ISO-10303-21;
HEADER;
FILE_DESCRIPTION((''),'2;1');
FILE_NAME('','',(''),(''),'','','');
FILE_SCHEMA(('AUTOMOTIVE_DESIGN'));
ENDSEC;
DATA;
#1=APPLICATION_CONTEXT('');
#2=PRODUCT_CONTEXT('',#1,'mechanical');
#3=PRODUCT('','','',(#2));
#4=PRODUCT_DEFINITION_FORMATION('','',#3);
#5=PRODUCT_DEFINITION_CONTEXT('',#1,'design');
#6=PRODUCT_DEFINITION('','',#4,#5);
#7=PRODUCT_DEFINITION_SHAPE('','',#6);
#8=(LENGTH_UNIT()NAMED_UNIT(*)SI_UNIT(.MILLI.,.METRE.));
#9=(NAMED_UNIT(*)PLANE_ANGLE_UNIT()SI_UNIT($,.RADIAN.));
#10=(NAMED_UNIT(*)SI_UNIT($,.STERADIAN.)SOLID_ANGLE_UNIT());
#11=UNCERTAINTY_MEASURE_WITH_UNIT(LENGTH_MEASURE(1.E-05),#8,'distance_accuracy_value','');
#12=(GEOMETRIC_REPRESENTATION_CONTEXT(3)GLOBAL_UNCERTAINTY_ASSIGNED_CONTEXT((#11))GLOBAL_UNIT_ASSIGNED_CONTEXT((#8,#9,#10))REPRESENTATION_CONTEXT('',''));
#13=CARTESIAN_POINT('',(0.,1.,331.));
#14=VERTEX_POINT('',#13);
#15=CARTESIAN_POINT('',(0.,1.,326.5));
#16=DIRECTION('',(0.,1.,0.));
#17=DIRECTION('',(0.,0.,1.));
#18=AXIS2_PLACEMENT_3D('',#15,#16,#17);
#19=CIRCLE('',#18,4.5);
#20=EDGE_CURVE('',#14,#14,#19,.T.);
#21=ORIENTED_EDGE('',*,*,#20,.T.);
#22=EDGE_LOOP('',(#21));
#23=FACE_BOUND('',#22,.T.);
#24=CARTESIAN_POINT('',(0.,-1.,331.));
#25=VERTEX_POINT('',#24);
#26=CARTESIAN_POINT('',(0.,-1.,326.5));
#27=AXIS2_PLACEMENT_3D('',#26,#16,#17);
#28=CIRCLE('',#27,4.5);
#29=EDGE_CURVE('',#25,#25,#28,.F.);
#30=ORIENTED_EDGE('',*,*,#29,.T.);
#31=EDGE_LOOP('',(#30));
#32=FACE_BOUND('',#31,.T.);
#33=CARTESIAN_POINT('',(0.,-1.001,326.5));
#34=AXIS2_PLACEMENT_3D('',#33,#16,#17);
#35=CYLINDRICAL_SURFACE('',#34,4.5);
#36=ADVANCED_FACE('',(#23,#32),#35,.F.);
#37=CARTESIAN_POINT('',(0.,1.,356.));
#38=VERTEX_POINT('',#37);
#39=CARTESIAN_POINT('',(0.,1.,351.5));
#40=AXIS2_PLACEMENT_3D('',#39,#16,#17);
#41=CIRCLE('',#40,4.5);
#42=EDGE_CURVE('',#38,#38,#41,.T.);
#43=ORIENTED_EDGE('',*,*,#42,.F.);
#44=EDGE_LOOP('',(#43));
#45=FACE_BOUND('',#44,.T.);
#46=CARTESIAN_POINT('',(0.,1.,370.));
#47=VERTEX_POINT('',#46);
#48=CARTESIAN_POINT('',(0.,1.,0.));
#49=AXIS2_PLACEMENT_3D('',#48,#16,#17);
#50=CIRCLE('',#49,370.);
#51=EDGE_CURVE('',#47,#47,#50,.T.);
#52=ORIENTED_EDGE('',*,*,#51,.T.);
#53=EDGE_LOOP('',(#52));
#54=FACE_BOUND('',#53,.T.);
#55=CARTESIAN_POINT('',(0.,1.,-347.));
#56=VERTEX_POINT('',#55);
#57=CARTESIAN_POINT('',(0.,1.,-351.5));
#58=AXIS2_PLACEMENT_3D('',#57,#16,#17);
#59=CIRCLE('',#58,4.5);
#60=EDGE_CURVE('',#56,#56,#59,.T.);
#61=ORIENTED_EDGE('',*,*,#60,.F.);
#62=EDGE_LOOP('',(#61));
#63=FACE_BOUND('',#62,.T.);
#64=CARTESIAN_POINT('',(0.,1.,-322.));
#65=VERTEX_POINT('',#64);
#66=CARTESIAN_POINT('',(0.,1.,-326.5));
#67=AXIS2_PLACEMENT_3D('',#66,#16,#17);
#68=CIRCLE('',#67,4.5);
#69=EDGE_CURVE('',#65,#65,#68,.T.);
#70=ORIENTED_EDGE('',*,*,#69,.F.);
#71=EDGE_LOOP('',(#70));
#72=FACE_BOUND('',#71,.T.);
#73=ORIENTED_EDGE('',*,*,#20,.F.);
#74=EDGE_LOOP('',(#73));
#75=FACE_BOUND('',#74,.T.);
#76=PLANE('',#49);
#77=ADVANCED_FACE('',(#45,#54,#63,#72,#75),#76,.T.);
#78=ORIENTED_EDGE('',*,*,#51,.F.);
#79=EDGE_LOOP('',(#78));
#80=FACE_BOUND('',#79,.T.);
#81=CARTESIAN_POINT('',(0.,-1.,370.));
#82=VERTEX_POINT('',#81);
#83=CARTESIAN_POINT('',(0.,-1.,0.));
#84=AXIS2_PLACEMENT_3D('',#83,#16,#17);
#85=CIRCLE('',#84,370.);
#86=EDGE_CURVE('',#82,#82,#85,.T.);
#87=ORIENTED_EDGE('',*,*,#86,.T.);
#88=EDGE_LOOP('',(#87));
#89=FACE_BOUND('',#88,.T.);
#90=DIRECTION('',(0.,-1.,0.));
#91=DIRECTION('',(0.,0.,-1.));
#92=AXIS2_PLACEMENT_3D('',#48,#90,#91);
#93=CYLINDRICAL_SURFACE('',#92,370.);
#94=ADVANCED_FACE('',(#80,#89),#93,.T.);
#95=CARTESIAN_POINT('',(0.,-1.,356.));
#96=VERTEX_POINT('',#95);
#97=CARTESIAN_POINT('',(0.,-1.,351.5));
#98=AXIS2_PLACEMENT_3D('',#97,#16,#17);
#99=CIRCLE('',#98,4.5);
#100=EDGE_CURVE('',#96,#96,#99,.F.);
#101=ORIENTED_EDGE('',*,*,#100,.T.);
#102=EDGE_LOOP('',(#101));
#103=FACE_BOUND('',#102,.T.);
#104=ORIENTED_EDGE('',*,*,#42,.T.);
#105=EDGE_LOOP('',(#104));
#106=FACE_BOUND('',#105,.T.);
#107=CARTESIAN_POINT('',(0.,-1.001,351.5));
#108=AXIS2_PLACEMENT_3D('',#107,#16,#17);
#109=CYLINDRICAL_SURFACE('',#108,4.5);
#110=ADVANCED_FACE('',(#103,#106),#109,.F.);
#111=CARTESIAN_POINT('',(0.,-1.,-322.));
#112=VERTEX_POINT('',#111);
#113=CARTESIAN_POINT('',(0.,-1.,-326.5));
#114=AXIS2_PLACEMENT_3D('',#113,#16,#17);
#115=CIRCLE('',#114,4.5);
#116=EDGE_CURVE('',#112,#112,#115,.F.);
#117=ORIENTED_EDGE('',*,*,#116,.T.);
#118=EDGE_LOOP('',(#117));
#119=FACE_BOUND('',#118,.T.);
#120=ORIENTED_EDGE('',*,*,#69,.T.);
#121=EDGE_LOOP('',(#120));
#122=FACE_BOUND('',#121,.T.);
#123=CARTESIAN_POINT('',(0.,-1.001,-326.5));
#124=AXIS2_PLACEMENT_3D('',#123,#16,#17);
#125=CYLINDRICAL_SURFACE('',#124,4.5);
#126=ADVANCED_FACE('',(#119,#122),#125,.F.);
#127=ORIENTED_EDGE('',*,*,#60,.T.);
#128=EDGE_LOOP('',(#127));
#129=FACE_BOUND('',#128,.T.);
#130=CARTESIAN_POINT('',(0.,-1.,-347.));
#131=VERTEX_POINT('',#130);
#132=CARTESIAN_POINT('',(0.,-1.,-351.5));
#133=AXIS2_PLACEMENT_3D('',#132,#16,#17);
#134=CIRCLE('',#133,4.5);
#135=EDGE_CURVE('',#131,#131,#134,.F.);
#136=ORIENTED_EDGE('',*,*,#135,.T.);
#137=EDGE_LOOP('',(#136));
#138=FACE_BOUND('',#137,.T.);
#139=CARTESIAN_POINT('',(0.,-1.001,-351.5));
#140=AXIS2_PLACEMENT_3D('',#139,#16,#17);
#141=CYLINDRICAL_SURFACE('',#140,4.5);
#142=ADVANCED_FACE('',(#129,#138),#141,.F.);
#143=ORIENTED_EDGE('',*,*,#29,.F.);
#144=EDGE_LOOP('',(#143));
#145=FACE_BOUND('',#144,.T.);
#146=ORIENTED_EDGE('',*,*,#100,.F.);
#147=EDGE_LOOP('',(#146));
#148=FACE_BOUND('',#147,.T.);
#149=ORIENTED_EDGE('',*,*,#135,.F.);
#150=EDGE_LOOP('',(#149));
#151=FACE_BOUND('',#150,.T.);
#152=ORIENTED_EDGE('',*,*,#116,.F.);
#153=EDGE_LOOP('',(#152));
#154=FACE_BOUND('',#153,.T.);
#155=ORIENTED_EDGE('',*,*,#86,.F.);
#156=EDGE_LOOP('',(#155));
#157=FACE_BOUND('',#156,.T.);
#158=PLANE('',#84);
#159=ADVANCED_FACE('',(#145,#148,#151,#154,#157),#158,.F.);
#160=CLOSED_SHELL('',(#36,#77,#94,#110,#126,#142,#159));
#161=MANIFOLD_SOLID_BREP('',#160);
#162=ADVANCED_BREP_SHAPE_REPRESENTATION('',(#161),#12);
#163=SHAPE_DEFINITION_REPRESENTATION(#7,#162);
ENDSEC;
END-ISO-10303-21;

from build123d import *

# Parameters (mm, degrees)
SKETCH1_R           = 370
BOSS_EXTRUDE1_DEPTH = 1
CUT_EXTRUDE1_REACH  = 525.263
SKETCH2_R           = 4.5


with BuildPart() as part:
    # Sketch1 → Boss-Extrude1 (new, symmetric)
    with BuildSketch(Plane(origin=(0, 0, 0), x_dir=(1, 0, 0), z_dir=(0, 1, 0))):
        with Locations(Location((0, 0, 0), (0, 0, 270))):
            Circle(SKETCH1_R)
    extrude(amount=BOSS_EXTRUDE1_DEPTH, both=True)

    # Sketch2 → Cut-Extrude1 (cut, up to next)
    with BuildSketch(Plane(origin=(0, 1, 0), x_dir=(1, 0, 0), z_dir=(0, 1, 0)), mode=Mode.PRIVATE) as cut_extrude1_sk1:
        with Locations(Location((0, -351.5, 0), (0, 0, 270))):
            Circle(SKETCH2_R)
    cut_extrude1_tool1 = extrude(cut_extrude1_sk1.sketch, amount=-CUT_EXTRUDE1_REACH, mode=Mode.PRIVATE) & part.part
    # Sketch2 → Cut-Extrude1 (cut, up to next)
    with BuildSketch(Plane(origin=(0, 1, 0), x_dir=(1, 0, 0), z_dir=(0, 1, 0)), mode=Mode.PRIVATE) as cut_extrude1_sk2:
        with Locations(Location((0, -326.5, 0), (0, 0, 270))):
            Circle(SKETCH2_R)
    cut_extrude1_tool2 = extrude(cut_extrude1_sk2.sketch, amount=-CUT_EXTRUDE1_REACH, mode=Mode.PRIVATE) & part.part
    # Sketch2 → Cut-Extrude1 (cut, up to next)
    with BuildSketch(Plane(origin=(0, 1, 0), x_dir=(1, 0, 0), z_dir=(0, 1, 0)), mode=Mode.PRIVATE) as cut_extrude1_sk3:
        with Locations(Location((0, 326.5, 0), (0, 0, 270))):
            Circle(SKETCH2_R)
    cut_extrude1_tool3 = extrude(cut_extrude1_sk3.sketch, amount=-CUT_EXTRUDE1_REACH, mode=Mode.PRIVATE) & part.part
    # Sketch2 → Cut-Extrude1 (cut, up to next)
    with BuildSketch(Plane(origin=(0, 1, 0), x_dir=(1, 0, 0), z_dir=(0, 1, 0)), mode=Mode.PRIVATE) as cut_extrude1_sk4:
        with Locations(Location((0, 351.5, 0), (0, 0, 270))):
            Circle(SKETCH2_R)
    cut_extrude1_tool4 = extrude(cut_extrude1_sk4.sketch, amount=-CUT_EXTRUDE1_REACH, mode=Mode.PRIVATE) & part.part
    add(cut_extrude1_tool1.solids().sort_by_distance((0, 1, 351.5))[0], mode=Mode.SUBTRACT)
    add(cut_extrude1_tool2.solids().sort_by_distance((0, 1, 326.5))[0], mode=Mode.SUBTRACT)
    add(cut_extrude1_tool3.solids().sort_by_distance((0, 1, -326.5))[0], mode=Mode.SUBTRACT)
    add(cut_extrude1_tool4.solids().sort_by_distance((0, 1, -351.5))[0], mode=Mode.SUBTRACT)


solid = part.part
